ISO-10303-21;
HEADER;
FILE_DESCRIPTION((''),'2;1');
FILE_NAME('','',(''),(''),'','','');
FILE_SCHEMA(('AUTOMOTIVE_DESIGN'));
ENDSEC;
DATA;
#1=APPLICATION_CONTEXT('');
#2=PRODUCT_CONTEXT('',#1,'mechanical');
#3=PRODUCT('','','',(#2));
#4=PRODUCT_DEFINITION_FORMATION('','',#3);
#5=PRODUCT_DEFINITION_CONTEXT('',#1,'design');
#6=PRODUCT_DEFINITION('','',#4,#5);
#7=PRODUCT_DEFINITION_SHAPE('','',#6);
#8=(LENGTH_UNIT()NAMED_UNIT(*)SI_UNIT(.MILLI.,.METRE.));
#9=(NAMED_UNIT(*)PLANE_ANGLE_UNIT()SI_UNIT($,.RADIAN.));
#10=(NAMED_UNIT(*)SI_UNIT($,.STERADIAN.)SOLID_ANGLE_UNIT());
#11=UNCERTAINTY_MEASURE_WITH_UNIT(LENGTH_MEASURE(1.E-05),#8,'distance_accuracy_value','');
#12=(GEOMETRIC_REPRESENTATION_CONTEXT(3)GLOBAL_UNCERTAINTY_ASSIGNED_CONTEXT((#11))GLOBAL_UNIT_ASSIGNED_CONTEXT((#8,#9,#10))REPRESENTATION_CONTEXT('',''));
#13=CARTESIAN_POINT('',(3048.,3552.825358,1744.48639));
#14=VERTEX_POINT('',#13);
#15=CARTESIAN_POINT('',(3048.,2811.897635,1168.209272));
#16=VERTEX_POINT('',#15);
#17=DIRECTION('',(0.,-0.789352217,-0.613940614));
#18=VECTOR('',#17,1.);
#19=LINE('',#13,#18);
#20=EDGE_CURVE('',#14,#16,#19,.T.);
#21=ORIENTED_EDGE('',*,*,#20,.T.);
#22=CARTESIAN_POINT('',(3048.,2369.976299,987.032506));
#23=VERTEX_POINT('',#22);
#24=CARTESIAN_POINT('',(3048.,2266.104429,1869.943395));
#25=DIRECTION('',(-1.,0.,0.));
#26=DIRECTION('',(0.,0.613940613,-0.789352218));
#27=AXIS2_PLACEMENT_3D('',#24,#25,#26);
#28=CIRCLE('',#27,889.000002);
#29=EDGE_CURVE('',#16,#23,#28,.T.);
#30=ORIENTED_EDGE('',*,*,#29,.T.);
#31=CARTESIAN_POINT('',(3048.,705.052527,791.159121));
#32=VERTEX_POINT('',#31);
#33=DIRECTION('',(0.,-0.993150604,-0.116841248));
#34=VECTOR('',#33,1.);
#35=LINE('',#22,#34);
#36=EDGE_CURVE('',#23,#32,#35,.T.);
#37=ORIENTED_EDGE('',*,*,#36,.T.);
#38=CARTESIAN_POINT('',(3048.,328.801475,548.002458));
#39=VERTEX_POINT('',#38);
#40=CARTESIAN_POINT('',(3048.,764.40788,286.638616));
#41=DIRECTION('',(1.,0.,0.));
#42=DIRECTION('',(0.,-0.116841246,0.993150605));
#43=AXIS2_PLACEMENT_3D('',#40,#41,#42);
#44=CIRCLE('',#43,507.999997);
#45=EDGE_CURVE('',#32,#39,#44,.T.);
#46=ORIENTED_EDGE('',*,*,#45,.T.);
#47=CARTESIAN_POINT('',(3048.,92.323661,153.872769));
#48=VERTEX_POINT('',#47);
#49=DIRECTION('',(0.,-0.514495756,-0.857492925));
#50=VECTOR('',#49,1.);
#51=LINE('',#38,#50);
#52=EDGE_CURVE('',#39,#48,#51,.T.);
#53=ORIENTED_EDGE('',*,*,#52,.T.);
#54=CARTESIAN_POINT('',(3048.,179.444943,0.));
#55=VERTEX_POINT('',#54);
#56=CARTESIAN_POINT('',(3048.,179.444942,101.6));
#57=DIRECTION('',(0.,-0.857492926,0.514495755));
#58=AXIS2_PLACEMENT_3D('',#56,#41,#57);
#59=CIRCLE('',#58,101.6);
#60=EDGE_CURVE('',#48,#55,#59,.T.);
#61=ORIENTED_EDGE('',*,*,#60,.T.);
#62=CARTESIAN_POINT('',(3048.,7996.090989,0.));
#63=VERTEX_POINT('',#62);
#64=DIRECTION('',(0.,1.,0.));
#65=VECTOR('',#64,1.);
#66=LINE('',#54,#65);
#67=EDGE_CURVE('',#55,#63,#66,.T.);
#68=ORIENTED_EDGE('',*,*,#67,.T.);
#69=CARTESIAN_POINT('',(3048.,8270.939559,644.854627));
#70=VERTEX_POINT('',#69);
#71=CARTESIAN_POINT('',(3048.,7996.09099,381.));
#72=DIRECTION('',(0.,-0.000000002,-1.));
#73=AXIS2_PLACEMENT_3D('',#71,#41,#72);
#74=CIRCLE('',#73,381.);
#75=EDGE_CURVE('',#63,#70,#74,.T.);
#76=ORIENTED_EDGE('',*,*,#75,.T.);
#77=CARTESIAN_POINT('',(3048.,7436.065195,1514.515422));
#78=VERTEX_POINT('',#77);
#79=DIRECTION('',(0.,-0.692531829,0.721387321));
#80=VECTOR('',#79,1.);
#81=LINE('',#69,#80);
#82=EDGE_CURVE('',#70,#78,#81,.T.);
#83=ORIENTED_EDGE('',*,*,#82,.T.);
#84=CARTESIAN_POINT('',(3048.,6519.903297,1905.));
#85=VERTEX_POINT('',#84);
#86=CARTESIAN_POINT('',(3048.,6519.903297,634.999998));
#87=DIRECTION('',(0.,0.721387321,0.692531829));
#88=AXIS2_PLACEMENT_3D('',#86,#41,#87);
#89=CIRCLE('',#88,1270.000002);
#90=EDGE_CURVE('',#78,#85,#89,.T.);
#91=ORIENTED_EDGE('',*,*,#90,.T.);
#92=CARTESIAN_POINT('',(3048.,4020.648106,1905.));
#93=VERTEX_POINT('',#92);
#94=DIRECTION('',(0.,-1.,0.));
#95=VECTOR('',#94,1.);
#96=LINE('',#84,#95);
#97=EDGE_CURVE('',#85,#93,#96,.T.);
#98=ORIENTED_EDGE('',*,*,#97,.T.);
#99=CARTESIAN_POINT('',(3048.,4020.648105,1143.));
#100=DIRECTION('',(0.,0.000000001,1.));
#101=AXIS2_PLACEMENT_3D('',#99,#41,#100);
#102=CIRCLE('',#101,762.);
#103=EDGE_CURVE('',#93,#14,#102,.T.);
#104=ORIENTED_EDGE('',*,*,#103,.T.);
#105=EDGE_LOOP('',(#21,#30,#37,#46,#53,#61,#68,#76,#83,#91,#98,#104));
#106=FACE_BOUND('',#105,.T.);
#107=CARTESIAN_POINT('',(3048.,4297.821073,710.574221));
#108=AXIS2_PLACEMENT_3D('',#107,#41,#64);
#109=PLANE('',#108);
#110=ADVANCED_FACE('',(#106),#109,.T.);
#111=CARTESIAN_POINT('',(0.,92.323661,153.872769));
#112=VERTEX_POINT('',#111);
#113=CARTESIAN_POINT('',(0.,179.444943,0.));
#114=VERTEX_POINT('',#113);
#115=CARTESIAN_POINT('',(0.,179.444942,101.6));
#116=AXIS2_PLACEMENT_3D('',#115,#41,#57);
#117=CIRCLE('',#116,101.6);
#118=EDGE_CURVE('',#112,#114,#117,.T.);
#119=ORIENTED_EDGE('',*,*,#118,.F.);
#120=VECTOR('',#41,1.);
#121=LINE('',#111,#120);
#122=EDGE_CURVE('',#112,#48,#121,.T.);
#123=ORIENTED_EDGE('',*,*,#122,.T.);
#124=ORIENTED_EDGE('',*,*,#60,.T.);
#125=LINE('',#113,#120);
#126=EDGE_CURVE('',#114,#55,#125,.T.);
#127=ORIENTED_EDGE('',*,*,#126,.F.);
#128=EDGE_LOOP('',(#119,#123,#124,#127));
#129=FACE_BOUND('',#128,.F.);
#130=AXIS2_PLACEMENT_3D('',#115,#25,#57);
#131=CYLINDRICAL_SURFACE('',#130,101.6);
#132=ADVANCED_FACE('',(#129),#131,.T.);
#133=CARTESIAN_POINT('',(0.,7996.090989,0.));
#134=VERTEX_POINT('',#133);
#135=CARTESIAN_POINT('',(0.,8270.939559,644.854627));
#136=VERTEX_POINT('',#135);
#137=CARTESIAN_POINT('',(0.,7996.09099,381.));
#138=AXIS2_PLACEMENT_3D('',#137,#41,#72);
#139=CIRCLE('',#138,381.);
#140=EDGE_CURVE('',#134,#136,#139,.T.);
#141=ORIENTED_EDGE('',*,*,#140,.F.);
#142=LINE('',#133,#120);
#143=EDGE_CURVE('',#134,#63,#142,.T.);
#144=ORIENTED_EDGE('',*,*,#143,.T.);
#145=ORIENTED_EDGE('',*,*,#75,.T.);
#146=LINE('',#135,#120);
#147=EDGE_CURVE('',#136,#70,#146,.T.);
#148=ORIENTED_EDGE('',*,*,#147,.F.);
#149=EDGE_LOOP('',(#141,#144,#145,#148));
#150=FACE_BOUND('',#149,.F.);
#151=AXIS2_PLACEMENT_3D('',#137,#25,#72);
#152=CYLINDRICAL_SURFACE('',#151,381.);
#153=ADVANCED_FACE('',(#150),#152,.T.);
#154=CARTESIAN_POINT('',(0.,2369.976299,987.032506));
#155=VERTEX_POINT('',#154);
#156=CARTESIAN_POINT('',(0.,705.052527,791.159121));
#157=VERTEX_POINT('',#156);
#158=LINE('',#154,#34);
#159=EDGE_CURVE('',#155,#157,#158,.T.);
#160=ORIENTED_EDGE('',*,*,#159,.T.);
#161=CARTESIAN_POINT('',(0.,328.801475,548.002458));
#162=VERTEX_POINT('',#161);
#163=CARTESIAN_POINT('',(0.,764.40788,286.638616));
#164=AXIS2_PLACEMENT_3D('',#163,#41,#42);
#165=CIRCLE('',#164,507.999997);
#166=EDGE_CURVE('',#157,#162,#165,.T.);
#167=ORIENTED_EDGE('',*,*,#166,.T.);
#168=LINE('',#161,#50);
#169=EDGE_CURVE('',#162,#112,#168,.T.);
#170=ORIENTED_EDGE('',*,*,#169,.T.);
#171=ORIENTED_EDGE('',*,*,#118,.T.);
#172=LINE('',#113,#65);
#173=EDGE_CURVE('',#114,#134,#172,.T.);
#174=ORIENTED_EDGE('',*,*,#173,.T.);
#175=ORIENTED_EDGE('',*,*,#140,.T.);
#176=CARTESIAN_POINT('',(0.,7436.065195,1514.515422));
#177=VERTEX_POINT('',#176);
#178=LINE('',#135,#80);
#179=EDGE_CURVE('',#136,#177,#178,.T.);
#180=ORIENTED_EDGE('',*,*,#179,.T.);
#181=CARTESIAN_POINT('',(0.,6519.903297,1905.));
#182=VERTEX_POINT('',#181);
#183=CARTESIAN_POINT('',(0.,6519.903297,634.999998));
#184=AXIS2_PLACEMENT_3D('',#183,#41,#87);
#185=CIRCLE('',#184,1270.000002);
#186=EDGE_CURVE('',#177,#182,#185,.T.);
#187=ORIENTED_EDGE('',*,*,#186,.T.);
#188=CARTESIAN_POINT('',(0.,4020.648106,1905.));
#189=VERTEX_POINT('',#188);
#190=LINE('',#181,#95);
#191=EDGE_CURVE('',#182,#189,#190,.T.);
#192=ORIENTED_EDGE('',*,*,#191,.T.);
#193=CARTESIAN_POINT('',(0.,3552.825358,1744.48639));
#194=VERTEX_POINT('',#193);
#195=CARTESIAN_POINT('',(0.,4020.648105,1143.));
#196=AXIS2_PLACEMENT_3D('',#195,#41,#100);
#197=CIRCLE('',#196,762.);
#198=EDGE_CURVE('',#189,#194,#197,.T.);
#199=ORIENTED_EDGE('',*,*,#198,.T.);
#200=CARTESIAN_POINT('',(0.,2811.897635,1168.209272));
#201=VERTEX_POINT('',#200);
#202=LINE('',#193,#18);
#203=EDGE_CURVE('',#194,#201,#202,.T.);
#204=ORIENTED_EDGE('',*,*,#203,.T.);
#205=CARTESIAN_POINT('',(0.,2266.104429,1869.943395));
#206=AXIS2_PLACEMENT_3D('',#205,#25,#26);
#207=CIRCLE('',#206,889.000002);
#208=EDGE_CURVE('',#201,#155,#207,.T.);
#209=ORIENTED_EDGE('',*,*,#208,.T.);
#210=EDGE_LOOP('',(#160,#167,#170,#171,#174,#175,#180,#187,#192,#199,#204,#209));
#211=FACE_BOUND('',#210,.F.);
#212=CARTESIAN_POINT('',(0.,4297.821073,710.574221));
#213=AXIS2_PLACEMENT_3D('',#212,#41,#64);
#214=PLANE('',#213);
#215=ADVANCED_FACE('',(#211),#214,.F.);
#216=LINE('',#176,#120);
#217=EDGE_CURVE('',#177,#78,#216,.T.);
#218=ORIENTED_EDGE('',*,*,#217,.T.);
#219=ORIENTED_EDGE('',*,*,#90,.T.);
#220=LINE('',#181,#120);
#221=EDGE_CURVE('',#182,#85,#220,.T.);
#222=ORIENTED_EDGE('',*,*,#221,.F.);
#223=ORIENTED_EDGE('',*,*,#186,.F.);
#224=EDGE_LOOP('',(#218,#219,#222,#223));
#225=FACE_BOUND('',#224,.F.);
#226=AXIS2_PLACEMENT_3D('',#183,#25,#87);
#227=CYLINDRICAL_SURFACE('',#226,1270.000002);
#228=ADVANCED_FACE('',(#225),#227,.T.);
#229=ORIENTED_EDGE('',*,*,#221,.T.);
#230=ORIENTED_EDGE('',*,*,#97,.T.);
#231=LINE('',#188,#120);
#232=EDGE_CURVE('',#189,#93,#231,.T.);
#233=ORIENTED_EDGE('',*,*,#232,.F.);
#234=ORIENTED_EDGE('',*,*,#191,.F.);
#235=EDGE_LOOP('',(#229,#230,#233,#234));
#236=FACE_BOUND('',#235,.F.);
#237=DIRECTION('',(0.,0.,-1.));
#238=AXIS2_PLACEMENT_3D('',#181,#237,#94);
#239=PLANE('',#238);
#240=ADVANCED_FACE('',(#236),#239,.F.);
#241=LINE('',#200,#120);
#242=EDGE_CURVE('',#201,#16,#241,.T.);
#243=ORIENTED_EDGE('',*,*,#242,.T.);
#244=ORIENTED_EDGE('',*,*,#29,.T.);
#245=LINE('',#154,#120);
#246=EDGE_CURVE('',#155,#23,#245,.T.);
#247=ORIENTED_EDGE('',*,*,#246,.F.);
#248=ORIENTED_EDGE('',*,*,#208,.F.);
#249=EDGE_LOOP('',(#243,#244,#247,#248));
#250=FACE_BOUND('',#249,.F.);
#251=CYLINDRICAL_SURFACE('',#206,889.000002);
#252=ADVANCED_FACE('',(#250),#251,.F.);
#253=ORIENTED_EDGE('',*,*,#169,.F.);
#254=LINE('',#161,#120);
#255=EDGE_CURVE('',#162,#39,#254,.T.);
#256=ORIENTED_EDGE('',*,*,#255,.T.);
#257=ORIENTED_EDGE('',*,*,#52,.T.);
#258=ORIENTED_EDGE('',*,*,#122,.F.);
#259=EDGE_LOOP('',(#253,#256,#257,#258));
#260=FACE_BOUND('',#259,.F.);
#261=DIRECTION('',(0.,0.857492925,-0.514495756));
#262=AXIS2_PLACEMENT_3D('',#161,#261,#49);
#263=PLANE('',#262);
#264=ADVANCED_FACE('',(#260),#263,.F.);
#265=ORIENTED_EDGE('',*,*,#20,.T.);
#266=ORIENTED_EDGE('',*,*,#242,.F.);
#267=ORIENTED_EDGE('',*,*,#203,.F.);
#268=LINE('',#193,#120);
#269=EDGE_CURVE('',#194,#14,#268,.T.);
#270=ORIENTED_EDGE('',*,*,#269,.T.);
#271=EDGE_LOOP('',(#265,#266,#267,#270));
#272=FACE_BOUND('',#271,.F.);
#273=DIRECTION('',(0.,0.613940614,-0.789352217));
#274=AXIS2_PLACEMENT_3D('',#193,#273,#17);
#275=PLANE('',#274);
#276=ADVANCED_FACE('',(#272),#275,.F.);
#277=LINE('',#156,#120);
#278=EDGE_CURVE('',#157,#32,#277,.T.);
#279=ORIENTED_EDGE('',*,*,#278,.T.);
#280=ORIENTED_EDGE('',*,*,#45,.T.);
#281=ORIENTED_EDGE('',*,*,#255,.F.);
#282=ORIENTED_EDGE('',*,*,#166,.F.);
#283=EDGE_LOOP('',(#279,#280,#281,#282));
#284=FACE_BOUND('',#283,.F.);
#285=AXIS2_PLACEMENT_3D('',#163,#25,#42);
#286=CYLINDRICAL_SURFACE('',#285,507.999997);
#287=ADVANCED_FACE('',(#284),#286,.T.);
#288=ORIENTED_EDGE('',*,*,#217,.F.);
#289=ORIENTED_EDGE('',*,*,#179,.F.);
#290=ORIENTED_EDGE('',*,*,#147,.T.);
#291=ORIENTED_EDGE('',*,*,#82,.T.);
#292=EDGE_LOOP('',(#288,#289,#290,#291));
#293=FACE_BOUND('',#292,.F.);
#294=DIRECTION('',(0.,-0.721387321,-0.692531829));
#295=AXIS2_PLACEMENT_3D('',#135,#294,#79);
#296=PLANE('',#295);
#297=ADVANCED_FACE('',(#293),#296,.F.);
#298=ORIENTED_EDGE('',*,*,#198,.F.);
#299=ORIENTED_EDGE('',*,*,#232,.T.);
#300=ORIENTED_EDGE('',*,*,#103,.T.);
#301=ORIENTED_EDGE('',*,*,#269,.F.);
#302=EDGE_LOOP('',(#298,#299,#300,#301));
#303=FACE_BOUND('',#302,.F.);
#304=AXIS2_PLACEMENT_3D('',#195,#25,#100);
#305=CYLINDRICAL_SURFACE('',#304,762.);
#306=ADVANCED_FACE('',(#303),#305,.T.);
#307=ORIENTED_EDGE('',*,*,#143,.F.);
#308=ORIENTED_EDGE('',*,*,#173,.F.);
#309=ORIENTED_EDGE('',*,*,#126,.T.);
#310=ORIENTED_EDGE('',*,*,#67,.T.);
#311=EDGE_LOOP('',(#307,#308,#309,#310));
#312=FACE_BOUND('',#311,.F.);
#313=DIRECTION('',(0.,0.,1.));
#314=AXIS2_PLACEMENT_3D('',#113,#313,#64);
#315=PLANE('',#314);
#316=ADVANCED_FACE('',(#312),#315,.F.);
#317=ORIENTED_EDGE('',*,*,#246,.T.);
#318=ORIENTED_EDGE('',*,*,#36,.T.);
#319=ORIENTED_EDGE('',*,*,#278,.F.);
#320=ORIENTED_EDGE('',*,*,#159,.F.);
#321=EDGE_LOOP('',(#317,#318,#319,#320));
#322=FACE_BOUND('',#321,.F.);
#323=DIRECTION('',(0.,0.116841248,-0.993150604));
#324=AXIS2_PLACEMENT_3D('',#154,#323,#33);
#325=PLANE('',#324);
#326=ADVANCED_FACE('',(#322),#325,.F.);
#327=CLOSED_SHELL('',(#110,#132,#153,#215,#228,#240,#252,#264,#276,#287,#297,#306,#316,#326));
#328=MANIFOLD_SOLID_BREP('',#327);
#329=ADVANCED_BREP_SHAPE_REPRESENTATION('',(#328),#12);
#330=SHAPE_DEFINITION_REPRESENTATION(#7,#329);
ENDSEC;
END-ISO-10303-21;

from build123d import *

# Parameters (mm, degrees)
F2_DEPTH = 3048


with BuildPart() as f2:
    # F1 (on Right) → F2 (new body)
    with BuildSketch(Plane.YZ):
        with BuildLine():
            ThreePointArc((92.323661, 153.872769), (91.032632, 51.5418), (179.444943, 0))
            Line((179.444943, 0), (7996.090989, 0))
            ThreePointArc((7996.090989, 0), (8346.583224, 231.613944), (8270.939559, 644.854627))
            Line((8270.939559, 644.854627), (7436.065195, 1514.515422))
            ThreePointArc((7436.065195, 1514.515422), (7017.856816, 1803.307448), (6519.903297, 1905))
            Line((6519.903297, 1905), (4020.648106, 1905))
            ThreePointArc((4020.648106, 1905), (3773.35135, 1863.755378), (3552.825358, 1744.48639))
            Line((3552.825358, 1744.48639), (2811.897635, 1168.209272))
            ThreePointArc((2811.897635, 1168.209272), (2603.331997, 1047.387275), (2369.976299, 987.032506))
            Line((2369.976299, 987.032506), (705.052527, 791.159121))
            ThreePointArc((705.052527, 791.159121), (488.675988, 713.295295), (328.801475, 548.002458))
            Line((328.801475, 548.002458), (92.323661, 153.872769))
        make_face()
    extrude(amount=F2_DEPTH)


solid = f2.part
